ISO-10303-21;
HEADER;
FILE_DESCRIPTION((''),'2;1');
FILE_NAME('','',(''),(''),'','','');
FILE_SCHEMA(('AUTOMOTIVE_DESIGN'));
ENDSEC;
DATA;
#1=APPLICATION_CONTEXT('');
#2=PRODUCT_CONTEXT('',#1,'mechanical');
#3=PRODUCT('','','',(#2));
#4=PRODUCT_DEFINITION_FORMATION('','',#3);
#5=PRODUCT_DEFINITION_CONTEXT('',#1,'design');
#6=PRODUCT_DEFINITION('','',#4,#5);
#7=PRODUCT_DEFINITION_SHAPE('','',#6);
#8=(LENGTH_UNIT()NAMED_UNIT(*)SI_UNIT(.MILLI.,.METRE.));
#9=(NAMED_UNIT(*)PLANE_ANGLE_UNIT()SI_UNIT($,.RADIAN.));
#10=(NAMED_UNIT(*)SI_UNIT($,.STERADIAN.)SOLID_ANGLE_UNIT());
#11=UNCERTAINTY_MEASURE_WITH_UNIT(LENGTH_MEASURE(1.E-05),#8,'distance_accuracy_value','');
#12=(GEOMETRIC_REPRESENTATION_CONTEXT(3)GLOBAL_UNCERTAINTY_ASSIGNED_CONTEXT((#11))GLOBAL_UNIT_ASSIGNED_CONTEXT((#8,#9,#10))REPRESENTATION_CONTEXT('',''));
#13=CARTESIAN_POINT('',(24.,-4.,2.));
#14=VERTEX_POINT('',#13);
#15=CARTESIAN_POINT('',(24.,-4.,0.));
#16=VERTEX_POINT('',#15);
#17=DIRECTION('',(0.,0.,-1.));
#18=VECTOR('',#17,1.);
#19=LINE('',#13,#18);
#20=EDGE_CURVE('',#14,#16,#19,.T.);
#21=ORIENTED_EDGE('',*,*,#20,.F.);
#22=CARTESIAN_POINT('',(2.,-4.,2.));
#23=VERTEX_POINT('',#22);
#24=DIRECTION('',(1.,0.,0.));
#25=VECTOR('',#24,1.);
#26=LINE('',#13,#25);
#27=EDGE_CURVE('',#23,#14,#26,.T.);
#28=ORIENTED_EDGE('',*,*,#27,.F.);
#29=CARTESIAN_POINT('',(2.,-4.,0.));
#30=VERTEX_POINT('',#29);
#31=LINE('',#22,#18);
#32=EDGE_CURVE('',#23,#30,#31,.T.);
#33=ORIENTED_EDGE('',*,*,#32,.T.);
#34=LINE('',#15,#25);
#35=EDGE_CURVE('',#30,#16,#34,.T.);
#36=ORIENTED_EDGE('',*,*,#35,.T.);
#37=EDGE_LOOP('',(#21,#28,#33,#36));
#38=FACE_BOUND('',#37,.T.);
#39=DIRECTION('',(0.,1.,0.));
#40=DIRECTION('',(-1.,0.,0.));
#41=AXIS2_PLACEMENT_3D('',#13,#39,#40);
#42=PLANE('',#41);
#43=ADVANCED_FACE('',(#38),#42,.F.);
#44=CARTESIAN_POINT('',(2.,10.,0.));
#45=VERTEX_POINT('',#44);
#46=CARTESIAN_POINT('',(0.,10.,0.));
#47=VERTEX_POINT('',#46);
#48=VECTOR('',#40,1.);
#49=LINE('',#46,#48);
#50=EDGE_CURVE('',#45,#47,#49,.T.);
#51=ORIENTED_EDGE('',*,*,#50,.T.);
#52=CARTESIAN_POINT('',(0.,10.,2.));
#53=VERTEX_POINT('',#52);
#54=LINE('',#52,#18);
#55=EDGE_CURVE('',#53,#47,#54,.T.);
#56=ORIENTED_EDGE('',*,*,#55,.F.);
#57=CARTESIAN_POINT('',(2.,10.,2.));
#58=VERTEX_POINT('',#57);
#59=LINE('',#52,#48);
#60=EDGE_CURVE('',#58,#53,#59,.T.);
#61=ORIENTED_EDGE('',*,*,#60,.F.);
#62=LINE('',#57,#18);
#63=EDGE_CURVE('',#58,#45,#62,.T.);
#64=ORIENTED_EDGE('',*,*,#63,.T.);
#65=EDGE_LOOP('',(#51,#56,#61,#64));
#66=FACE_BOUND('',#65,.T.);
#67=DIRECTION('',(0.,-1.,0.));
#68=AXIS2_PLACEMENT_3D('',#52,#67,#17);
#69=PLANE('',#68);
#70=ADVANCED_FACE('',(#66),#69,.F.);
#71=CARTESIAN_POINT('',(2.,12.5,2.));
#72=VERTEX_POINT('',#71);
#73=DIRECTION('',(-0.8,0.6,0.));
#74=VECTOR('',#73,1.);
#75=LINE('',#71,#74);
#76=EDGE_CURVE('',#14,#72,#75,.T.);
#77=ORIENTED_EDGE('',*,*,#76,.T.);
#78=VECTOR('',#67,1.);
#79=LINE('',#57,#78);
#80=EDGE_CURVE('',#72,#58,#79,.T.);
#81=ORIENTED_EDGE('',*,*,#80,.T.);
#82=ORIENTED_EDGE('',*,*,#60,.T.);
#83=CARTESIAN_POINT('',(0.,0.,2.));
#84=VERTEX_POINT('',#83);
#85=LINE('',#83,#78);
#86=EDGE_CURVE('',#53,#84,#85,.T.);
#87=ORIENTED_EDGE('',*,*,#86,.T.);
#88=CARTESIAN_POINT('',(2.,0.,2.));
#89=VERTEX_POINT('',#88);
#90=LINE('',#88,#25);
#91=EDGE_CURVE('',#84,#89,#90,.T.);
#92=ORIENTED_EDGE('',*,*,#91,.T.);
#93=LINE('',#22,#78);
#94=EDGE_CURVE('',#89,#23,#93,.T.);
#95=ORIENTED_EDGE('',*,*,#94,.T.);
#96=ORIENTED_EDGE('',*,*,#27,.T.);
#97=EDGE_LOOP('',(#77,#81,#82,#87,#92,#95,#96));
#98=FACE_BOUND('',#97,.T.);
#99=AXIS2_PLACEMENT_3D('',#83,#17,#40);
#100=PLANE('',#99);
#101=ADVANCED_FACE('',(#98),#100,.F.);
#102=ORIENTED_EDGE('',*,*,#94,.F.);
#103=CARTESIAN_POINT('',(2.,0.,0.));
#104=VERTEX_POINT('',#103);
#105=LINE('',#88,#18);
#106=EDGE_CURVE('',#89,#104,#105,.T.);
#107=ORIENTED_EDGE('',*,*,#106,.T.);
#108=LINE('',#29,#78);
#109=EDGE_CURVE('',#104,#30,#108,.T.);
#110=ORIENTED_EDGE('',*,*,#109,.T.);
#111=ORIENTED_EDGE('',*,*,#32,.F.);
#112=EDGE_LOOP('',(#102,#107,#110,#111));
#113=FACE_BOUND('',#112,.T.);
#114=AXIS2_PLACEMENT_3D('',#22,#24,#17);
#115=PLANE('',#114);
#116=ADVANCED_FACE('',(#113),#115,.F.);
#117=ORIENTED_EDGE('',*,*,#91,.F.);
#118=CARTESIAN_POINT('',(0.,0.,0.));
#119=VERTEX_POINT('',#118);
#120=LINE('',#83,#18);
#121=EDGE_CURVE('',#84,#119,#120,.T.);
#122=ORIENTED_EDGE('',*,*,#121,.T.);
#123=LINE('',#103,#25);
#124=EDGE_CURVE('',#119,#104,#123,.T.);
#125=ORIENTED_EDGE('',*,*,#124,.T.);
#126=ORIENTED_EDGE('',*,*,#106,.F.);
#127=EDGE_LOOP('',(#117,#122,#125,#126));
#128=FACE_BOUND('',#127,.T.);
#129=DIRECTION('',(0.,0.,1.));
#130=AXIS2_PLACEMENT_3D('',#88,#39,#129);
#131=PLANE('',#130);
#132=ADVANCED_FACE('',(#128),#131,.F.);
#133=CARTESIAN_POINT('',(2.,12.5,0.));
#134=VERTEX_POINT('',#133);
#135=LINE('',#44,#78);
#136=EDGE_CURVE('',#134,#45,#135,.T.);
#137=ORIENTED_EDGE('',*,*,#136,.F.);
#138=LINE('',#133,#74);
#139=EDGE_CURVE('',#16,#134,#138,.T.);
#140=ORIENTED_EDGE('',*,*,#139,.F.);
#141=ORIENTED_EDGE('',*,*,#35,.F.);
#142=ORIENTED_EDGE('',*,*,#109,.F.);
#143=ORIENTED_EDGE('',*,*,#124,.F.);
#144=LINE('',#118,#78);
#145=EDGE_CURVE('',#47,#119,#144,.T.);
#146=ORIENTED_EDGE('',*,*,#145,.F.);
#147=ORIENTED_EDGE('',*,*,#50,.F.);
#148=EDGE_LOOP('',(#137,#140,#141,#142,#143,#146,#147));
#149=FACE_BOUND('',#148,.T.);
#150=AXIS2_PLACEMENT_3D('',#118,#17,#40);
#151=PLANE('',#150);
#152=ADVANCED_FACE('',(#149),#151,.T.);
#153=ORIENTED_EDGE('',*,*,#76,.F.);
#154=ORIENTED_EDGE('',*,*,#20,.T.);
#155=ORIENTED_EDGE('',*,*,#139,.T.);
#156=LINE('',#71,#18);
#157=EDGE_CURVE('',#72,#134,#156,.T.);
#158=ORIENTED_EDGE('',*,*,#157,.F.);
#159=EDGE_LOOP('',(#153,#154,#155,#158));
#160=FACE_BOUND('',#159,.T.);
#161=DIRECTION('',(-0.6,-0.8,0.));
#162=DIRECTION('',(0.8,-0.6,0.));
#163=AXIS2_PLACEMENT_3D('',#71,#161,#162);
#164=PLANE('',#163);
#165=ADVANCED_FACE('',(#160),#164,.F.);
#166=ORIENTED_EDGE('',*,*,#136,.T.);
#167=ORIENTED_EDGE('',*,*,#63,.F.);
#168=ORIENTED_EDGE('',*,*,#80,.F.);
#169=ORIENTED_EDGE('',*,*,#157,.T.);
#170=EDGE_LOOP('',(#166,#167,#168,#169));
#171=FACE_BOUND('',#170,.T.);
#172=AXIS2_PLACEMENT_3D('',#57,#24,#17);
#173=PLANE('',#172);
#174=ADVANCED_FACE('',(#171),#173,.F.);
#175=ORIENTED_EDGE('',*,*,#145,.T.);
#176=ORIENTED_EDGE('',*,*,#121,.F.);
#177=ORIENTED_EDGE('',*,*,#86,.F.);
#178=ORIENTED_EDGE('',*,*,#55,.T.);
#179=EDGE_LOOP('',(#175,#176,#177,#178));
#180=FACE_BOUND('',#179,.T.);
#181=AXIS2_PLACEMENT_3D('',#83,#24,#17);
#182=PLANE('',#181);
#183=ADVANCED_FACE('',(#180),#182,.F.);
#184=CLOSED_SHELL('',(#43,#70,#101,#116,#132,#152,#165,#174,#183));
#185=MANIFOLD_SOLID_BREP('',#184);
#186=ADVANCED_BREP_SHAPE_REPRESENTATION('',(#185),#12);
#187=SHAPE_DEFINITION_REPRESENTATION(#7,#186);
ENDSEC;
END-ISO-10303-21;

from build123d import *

# Parameters (mm, degrees)
EXTRUDE_1_DEPTH = 2


with BuildPart() as part:
    # ｽｹｯﾁ1 → ﾎﾞｽ - 押し出し1 (new body)
    with BuildSketch(Plane.XY):
        Polygon((0, 0), (0, 10), (2, 10), (2, 12.5), (24, -4), (2, -4), (2, 0), align=None)
    extrude(amount=EXTRUDE_1_DEPTH)


solid = part.part
